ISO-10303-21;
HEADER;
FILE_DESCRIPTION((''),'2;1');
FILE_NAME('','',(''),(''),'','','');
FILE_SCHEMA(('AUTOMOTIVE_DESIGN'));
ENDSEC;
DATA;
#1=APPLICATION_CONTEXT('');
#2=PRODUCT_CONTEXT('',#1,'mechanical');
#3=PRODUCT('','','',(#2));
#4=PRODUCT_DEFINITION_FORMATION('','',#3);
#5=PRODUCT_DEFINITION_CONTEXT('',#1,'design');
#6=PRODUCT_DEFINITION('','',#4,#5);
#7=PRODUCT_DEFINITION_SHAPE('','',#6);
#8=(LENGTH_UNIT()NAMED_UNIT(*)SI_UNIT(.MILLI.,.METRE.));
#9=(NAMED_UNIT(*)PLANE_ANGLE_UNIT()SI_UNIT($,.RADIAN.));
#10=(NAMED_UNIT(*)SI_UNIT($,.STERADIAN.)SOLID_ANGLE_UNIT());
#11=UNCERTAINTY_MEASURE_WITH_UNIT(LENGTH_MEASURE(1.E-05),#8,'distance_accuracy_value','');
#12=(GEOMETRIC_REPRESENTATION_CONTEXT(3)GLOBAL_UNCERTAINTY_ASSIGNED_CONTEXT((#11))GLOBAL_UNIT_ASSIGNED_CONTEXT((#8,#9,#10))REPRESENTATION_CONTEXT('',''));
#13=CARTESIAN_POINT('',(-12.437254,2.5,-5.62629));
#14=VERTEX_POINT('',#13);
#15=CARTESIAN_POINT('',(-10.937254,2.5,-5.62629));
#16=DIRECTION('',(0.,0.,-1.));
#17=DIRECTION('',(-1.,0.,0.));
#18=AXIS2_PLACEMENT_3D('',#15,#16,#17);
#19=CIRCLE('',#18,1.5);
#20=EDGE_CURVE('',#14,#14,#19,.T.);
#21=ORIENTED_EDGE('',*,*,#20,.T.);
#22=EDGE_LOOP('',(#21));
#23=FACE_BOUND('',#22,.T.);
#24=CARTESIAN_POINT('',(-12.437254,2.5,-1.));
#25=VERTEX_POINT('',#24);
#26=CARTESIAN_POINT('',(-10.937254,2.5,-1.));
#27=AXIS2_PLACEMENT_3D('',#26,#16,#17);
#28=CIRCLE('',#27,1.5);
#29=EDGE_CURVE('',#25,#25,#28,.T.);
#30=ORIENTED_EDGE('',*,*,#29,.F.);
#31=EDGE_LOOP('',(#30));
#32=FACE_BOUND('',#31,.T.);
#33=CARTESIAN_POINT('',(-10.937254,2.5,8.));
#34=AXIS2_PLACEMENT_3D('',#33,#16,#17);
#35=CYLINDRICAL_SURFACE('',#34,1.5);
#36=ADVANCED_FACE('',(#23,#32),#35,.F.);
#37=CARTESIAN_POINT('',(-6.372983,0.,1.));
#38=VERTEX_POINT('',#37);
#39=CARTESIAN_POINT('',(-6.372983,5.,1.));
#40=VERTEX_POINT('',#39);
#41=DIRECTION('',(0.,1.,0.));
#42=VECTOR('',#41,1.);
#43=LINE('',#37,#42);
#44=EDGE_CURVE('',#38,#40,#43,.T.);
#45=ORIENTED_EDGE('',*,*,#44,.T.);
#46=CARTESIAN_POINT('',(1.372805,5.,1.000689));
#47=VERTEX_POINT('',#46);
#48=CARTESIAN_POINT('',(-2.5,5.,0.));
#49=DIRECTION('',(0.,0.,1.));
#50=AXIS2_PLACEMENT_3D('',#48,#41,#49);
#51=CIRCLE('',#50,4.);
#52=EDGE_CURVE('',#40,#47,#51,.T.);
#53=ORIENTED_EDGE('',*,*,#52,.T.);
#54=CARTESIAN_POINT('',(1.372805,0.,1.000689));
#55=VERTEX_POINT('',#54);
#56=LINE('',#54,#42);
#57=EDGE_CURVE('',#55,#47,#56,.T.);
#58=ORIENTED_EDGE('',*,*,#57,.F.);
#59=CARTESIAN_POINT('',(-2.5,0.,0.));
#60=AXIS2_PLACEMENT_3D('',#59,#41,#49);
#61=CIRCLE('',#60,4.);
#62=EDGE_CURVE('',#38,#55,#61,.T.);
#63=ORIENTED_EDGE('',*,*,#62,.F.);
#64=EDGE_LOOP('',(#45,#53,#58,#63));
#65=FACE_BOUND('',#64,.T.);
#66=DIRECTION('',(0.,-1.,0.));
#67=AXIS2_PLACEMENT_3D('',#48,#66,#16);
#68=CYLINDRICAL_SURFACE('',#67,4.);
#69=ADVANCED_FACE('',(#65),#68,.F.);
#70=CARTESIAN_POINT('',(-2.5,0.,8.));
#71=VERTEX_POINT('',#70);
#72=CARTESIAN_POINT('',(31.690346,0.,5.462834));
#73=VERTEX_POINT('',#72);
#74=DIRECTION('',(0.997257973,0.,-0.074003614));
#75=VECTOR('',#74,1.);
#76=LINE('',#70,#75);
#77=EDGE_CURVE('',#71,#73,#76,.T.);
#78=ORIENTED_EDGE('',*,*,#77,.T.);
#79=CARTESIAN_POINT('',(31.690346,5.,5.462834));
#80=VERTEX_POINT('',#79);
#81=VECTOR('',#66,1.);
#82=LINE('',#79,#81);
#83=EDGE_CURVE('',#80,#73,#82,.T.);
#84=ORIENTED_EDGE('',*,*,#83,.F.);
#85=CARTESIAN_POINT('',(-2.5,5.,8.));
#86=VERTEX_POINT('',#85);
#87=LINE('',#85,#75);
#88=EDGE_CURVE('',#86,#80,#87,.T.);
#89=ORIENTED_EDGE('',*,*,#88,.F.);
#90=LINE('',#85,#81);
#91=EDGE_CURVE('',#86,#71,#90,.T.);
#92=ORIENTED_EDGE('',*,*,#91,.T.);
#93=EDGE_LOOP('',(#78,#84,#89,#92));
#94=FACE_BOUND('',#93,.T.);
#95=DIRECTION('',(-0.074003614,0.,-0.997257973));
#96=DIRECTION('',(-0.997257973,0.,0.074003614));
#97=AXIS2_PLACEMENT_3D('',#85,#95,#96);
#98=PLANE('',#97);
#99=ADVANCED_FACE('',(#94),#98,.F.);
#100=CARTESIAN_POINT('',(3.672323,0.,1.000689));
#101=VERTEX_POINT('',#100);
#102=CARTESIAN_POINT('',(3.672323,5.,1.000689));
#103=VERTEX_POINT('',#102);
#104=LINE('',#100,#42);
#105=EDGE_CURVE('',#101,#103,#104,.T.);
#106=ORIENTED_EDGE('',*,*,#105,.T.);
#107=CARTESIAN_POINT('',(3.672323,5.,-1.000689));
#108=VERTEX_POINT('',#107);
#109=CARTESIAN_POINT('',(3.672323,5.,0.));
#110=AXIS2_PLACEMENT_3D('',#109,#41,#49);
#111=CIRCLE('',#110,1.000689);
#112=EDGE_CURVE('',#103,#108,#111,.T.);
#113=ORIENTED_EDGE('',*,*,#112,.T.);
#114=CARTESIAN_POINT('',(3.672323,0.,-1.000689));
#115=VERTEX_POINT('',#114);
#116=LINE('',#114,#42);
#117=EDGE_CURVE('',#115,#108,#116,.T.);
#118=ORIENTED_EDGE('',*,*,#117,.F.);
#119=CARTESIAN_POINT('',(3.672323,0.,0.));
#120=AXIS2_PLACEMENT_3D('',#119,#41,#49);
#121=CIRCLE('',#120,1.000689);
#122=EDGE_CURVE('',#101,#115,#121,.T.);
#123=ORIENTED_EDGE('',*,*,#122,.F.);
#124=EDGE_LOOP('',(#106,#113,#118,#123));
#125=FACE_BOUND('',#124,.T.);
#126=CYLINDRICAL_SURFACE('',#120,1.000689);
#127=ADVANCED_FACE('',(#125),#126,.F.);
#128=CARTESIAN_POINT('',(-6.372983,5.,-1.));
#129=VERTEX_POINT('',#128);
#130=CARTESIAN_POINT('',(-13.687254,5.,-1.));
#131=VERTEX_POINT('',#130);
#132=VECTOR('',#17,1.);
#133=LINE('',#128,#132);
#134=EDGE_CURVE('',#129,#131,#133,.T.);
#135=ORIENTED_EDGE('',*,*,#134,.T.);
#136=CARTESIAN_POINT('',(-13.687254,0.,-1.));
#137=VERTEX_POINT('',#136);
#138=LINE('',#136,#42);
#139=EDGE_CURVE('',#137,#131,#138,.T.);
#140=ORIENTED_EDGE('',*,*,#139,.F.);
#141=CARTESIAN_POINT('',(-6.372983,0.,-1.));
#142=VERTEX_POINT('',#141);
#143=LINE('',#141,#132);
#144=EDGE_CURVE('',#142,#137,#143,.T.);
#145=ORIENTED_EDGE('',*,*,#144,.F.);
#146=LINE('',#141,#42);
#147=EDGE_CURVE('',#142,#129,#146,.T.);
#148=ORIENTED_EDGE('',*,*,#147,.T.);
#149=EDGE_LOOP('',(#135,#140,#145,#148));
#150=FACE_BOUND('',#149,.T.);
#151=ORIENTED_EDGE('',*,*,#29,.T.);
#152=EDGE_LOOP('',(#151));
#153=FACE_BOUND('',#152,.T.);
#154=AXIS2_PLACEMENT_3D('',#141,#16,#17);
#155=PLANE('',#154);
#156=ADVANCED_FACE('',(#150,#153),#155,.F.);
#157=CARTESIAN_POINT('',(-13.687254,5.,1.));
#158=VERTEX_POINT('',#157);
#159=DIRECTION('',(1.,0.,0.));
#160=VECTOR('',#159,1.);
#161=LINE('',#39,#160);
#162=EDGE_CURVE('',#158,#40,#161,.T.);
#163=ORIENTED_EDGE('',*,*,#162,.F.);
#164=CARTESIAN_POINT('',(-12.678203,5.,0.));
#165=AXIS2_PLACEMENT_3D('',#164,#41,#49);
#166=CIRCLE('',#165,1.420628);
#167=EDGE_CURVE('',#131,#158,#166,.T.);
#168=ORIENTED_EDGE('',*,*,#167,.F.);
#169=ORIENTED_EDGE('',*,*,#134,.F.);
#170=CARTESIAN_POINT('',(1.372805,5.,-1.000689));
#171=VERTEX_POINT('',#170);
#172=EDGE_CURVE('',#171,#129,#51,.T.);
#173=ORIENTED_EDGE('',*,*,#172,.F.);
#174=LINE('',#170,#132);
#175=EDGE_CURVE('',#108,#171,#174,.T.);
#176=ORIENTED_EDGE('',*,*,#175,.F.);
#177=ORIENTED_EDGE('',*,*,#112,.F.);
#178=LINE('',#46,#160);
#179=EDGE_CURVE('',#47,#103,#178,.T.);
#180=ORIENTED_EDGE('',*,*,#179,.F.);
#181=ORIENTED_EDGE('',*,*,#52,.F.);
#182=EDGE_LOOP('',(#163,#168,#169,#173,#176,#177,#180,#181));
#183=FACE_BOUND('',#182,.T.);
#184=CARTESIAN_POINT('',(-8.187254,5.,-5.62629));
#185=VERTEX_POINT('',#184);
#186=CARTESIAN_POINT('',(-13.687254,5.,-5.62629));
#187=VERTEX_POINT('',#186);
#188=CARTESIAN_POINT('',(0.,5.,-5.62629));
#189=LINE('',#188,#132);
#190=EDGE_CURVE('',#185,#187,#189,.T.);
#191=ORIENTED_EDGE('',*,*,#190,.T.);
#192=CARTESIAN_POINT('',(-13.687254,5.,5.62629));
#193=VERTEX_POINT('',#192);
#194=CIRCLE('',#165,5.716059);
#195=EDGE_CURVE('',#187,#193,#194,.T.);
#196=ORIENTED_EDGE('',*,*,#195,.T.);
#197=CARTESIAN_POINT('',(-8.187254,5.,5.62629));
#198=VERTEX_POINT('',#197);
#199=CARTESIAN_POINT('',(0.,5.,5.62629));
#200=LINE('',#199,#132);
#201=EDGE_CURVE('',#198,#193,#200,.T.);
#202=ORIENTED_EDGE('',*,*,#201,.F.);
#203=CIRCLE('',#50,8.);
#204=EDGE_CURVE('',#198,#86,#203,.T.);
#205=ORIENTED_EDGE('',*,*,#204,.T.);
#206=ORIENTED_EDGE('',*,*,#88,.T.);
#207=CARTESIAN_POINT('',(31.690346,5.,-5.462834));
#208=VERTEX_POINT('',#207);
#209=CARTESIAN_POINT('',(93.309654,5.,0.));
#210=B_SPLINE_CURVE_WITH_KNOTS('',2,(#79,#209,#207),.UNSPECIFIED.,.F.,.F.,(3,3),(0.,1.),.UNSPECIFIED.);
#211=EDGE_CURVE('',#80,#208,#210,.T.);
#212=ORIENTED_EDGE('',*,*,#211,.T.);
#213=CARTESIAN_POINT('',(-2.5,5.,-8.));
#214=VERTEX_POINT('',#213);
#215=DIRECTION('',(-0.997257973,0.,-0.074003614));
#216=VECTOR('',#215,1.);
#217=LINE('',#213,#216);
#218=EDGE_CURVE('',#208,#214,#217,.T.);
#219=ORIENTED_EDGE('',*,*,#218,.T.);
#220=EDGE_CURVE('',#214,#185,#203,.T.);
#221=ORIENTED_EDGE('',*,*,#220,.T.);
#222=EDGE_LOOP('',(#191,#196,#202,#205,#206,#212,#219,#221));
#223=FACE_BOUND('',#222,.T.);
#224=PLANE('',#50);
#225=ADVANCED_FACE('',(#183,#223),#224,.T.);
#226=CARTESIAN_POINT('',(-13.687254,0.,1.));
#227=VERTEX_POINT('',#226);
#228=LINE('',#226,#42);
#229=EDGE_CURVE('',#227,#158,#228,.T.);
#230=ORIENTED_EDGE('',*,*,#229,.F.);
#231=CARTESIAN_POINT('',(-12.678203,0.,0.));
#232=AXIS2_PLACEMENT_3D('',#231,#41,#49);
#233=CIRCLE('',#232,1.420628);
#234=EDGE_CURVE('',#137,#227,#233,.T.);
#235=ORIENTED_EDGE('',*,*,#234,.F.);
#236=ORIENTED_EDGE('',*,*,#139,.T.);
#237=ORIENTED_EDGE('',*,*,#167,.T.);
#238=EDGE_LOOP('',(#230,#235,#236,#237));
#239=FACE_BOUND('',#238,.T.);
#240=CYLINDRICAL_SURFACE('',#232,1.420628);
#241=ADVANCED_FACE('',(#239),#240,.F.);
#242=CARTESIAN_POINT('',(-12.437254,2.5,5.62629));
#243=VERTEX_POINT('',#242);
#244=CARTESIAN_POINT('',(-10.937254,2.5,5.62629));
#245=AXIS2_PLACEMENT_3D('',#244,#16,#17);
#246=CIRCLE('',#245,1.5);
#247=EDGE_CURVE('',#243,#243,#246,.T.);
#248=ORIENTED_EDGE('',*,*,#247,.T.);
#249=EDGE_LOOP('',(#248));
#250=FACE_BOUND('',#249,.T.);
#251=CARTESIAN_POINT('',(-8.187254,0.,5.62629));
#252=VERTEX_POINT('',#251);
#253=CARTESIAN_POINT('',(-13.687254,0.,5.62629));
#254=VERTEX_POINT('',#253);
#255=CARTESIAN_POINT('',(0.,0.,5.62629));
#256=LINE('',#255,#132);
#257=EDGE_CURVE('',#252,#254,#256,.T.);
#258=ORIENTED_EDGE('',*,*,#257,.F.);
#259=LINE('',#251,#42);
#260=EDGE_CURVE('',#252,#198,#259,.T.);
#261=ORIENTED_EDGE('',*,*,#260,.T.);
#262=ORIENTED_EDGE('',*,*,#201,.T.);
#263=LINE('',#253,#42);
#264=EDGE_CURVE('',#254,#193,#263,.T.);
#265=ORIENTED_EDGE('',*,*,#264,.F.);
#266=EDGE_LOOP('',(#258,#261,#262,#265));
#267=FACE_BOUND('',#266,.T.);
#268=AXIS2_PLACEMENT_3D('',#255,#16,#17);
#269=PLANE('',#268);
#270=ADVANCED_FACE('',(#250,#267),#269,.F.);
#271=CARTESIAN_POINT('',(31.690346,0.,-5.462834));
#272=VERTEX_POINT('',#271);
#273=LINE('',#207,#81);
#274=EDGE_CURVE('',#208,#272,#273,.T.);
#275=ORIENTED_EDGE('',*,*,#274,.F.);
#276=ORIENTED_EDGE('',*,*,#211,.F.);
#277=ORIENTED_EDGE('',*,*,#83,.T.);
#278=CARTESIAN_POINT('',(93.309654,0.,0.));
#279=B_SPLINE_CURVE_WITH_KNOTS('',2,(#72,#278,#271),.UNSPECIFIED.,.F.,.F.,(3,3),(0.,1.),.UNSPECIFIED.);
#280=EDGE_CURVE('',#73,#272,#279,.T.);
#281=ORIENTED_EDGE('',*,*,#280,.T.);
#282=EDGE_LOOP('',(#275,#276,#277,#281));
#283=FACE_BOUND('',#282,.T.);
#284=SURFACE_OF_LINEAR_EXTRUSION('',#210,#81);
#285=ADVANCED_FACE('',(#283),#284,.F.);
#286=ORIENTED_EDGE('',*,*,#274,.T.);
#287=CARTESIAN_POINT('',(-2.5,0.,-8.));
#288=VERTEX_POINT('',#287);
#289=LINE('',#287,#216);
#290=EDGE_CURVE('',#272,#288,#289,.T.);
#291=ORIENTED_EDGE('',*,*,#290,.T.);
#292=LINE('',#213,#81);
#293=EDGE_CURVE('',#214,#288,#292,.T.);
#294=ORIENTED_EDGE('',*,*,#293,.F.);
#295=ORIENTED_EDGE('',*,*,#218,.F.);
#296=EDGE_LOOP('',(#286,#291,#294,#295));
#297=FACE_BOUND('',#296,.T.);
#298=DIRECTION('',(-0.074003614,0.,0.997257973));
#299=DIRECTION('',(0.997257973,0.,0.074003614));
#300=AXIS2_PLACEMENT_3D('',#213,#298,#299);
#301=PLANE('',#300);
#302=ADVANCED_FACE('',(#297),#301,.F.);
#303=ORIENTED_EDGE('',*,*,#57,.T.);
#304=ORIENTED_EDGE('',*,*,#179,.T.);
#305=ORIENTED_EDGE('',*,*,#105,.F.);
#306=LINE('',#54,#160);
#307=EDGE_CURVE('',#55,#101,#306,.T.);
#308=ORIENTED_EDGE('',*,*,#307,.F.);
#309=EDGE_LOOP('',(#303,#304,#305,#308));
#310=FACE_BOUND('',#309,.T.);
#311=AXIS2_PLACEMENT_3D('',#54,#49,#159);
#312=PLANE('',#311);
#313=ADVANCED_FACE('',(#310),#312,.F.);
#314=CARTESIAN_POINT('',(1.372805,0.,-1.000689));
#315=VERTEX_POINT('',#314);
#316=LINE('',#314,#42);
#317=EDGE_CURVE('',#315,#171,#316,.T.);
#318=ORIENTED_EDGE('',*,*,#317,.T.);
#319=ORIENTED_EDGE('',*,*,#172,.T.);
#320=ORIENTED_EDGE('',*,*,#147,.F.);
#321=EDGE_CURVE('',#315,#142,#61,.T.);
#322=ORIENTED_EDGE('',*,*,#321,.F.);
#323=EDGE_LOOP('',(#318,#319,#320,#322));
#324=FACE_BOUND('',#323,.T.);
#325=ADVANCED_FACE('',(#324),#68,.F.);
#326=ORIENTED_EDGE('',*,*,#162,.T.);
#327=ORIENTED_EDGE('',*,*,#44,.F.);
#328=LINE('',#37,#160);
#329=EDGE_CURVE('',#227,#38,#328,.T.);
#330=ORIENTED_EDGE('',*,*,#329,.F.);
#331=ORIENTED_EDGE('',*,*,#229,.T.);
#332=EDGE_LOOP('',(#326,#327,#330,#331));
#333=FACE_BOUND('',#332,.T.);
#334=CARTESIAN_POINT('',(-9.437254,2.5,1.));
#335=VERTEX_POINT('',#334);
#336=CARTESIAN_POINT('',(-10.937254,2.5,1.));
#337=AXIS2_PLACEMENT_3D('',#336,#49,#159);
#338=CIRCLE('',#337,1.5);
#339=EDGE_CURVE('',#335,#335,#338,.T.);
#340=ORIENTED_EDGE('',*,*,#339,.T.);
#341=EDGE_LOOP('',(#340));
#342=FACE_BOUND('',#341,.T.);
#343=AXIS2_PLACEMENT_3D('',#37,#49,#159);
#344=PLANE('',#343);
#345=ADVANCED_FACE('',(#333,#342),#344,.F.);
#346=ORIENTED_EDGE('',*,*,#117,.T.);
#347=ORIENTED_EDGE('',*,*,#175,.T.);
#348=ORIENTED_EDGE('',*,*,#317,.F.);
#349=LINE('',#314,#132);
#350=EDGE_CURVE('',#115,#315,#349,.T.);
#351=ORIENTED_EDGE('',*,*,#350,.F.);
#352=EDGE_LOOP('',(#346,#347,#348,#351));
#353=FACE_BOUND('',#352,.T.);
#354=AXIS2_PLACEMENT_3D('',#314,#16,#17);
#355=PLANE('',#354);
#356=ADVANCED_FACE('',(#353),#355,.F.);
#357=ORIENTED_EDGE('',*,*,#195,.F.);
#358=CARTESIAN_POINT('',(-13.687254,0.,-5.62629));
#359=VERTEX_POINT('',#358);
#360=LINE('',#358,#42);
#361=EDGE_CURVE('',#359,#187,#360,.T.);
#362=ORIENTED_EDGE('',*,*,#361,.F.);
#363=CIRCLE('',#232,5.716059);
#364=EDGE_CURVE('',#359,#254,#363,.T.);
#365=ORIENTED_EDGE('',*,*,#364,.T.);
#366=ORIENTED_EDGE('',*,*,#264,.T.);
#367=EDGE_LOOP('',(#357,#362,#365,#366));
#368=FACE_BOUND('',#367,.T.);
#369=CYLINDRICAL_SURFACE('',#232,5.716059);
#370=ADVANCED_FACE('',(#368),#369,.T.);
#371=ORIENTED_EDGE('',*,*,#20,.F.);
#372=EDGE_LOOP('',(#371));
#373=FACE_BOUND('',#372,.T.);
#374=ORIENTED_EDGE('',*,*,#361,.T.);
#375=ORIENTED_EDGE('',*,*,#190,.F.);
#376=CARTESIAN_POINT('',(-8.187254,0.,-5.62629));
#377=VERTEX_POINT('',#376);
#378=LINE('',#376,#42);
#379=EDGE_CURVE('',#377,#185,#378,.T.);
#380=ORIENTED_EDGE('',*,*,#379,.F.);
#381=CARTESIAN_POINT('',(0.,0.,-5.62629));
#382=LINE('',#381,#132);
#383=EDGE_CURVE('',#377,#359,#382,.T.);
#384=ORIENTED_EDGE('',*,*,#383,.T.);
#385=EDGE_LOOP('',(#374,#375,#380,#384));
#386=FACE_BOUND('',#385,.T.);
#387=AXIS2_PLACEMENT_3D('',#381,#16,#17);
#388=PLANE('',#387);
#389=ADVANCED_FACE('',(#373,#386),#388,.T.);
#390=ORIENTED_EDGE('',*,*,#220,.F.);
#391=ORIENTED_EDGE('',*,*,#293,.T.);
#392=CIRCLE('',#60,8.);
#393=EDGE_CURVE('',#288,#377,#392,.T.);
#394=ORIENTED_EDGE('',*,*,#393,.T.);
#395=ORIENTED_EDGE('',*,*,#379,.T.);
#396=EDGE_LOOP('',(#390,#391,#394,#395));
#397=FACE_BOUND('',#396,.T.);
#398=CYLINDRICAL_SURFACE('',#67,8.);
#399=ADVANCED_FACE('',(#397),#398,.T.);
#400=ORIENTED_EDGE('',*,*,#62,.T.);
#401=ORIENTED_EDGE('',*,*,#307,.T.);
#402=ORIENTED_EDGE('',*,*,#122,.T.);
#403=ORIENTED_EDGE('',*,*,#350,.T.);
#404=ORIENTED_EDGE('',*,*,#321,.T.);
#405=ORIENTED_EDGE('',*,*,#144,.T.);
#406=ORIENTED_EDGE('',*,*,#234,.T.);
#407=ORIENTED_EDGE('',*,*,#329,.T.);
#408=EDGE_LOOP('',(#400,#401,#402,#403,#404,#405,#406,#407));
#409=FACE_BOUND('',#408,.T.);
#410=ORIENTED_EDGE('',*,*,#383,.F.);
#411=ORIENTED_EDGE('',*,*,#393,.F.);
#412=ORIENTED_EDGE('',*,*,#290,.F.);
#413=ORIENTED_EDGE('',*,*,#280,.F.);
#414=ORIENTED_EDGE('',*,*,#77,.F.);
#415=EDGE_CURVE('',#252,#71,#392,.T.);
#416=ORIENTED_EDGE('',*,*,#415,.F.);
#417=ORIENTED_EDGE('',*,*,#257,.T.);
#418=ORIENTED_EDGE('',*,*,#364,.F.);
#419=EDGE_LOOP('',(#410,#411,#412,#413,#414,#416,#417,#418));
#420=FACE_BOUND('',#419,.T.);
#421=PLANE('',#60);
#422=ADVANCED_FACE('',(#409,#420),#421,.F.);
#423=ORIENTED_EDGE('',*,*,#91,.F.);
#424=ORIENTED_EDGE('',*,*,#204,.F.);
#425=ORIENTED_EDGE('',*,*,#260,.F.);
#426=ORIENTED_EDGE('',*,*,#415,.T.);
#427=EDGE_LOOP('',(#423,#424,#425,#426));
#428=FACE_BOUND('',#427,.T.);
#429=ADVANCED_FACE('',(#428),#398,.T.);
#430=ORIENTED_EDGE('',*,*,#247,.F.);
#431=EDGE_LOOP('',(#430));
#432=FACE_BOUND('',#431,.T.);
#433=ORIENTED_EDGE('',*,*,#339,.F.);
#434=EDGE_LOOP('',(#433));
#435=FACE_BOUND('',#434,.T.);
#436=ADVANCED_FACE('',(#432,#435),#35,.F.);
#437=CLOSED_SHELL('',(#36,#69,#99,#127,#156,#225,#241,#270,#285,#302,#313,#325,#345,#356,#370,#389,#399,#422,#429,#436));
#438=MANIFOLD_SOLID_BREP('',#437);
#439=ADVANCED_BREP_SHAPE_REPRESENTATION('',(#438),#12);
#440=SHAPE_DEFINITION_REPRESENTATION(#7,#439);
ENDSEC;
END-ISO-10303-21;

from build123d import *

# Parameters (mm, degrees)
SKETCH1_R               = 4
BOSS_EXTRUDE1_DEPTH     = 5
CUT_EXTRUDE1_DEPTH      = 6.0000001
BOSS_EXTRUDE3_DEPTH     = 5
SKETCH7_R               = 1.5
CUT_EXTRUDE2_DEPTH      = 3.373709786
CUT_EXTRUDE2_DEPTH_BACK = 14.626290414


with BuildPart() as part:
    # Sketch1 → Boss-Extrude1 (new body)
    with BuildSketch(Plane(origin=(0, 0, 0), x_dir=(1, 0, 0), z_dir=(0, 1, 0))):
        with BuildLine():
            Line((-2.5, 8), (31.690345961, 5.462833873))
            add(Edge.make_bspline(
                [(31.690345961, 5.462833873), (93.309654039, 0), (31.690345961, -5.462833873)],
                knots=[0, 0, 0, 1, 1, 1], degree=2))
            Line((31.690345961, -5.462833873), (-2.5, -8))
            ThreePointArc((-2.5, -8), (-10.5, 0), (-2.5, 8))
        make_face()
        with Locations((-2.5, 0)):
            Circle(SKETCH1_R, mode=Mode.SUBTRACT)
    extrude(amount=BOSS_EXTRUDE1_DEPTH)

    # Sketch5 → Cut-Extrude1 (cut, through all)
    with BuildSketch(Plane(origin=(0, 5, 0), x_dir=(1, 0, 0), z_dir=(0, 1, 0))):
        with BuildLine():
            Line((1.372805365, -1.000689064), (3.672323333, -1.000689064))
            ThreePointArc((3.672323333, -1.000689064), (4.673012397, 0), (3.672323333, 1.000689064))
            Line((3.672323333, 1.000689064), (1.372805365, 1.000689064))
            ThreePointArc((1.372805365, 1.000689064), (1.5, 0), (1.372805365, -1.000689064))
        make_face()
        with BuildLine():
            Line((-6.372983346, 1), (-10.437253933, 1))
            ThreePointArc((-10.437253933, 1), (-10.5, 0), (-10.437253933, -1))
            Line((-10.437253933, -1), (-6.372983346, -1))
            ThreePointArc((-6.372983346, -1), (-6.5, 0), (-6.372983346, 1))
        make_face()
    extrude(amount=-CUT_EXTRUDE1_DEPTH, mode=Mode.SUBTRACT)

    # Sketch6 → Boss-Extrude3 (add)
    with BuildSketch(Plane(origin=(0, 5, 0), x_dir=(1, 0, 0), z_dir=(0, 1, 0))):
        with BuildLine():
            Line((-13.687253933, 1), (-10.437253933, 1))
            ThreePointArc((-10.437253933, 1), (-9.694264672, 3.498936386), (-8.187253933, 5.626290314))
            Line((-8.187253933, 5.626290314), (-13.687253933, 5.626290314))
            ThreePointArc((-13.687253933, 5.626290314), (-18.394261839, 0), (-13.687253933, -5.626290314))
            Line((-13.687253933, -5.626290314), (-8.187253933, -5.626290314))
            ThreePointArc((-8.187253933, -5.626290314), (-9.694264672, -3.498936386), (-10.437253933, -1))
            Line((-10.437253933, -1), (-13.687253933, -1))
            ThreePointArc((-13.687253933, -1), (-14.098831021, 0), (-13.687253933, 1))
        make_face()
    extrude(amount=-BOSS_EXTRUDE3_DEPTH)

    # Sketch7 → Cut-Extrude2 (cut, two sides)
    with BuildSketch(Plane(origin=(0, 0, -5.626290314), x_dir=(-1, 0, 0), z_dir=(0, 0, -1))) as cut_extrude2_sk:
        with Locations((10.937253933, 2.5)):
            Circle(SKETCH7_R)
    extrude(amount=CUT_EXTRUDE2_DEPTH, mode=Mode.SUBTRACT)
    extrude(cut_extrude2_sk.sketch, amount=-CUT_EXTRUDE2_DEPTH_BACK, mode=Mode.SUBTRACT)


solid = part.part
